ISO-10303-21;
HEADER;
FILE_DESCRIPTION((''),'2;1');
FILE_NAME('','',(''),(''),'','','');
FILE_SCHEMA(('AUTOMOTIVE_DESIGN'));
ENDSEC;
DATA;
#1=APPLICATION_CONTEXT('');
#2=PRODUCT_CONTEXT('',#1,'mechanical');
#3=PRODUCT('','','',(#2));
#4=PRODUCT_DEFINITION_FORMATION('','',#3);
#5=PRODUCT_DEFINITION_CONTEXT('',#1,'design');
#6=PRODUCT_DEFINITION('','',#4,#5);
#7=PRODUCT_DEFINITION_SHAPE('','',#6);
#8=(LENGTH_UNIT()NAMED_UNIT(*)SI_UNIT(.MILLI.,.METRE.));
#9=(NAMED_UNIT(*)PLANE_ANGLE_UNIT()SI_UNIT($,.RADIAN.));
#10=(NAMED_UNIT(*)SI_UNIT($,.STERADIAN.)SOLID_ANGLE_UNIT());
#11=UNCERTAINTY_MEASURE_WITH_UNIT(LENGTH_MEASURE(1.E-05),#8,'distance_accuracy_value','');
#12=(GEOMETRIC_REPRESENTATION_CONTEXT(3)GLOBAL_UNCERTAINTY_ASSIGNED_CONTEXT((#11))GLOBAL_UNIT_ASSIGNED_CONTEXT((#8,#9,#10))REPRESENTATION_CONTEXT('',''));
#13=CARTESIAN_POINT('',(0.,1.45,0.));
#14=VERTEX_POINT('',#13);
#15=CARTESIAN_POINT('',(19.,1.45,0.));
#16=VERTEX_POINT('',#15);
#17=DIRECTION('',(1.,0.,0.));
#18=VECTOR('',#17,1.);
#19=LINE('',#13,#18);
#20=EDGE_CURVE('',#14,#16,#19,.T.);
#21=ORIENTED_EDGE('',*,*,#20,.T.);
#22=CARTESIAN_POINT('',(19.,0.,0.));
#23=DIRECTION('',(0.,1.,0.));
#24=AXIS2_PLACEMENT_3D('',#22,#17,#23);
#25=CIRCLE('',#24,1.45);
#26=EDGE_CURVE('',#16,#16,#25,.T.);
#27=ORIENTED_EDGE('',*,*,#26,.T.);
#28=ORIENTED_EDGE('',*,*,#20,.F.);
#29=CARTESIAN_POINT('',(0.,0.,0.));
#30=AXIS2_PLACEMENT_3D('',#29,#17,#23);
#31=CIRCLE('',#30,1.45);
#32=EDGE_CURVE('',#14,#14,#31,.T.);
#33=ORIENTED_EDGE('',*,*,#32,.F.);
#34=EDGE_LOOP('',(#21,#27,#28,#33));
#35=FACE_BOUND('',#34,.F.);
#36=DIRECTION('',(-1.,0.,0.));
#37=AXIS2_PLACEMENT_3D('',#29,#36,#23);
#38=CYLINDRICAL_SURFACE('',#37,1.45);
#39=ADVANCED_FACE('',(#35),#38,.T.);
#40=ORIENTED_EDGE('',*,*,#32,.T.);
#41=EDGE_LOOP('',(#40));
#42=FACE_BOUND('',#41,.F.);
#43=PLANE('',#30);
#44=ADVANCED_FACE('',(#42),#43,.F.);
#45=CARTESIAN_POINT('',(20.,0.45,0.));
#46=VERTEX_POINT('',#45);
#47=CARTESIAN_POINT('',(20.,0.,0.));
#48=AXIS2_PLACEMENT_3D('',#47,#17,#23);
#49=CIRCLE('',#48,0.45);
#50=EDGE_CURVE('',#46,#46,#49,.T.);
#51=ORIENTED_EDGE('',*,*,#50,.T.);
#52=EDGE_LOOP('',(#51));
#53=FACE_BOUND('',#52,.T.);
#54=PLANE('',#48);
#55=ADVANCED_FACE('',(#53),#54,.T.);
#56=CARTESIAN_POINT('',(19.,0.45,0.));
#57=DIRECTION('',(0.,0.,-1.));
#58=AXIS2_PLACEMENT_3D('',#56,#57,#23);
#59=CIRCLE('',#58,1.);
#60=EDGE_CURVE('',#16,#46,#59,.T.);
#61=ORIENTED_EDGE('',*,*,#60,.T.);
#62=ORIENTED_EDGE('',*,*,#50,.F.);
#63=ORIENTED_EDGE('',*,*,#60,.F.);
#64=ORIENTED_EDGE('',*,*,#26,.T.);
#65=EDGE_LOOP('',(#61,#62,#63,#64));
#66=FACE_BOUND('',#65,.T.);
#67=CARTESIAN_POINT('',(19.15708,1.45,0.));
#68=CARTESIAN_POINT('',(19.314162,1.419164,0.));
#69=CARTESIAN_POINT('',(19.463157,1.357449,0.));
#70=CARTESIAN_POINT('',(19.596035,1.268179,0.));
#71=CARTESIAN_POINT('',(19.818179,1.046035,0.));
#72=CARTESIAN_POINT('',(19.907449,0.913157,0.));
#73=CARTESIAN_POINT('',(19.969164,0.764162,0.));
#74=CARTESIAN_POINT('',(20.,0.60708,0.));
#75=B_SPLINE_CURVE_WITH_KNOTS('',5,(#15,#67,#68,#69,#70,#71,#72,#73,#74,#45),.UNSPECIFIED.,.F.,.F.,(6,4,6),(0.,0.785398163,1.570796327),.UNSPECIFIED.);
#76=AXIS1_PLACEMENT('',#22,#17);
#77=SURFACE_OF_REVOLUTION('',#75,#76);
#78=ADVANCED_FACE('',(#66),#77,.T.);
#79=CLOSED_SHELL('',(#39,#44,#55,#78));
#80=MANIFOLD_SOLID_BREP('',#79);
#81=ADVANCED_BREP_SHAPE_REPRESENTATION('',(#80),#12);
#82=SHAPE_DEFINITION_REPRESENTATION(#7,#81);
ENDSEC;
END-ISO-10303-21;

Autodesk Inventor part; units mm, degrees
ref_plane "YZ Plane" through (0, 0, 0) normal (1, 0, 0) x (0, 1, 0)
ref_plane "XZ Plane" through (0, 0, 0) normal (0, 1, 0) x (-1, 0, 0)
ref_plane "XY Plane" through (0, 0, 0) normal (0, 0, 1) x (1, 0, 0)
sketch "Skizze1" plane through (0, 0, 0) normal (1, 0, 0) x (0, 1, 0)
  circle A0 centre (0, 0) radius 1.45
  dimension "d0" = 2.9
extrude "Extrusion1" add sketch "Skizze1" along normal blind 20
fillet "Rundung1" radius 1 1 edges at (20, -1.45, 0)
thread "Gewinde1" size "M3x0.5" class "6g" standard "ANSI Metric M Profile" full length
properties part number "00_M3_Ballheaded_screw_20mm"
